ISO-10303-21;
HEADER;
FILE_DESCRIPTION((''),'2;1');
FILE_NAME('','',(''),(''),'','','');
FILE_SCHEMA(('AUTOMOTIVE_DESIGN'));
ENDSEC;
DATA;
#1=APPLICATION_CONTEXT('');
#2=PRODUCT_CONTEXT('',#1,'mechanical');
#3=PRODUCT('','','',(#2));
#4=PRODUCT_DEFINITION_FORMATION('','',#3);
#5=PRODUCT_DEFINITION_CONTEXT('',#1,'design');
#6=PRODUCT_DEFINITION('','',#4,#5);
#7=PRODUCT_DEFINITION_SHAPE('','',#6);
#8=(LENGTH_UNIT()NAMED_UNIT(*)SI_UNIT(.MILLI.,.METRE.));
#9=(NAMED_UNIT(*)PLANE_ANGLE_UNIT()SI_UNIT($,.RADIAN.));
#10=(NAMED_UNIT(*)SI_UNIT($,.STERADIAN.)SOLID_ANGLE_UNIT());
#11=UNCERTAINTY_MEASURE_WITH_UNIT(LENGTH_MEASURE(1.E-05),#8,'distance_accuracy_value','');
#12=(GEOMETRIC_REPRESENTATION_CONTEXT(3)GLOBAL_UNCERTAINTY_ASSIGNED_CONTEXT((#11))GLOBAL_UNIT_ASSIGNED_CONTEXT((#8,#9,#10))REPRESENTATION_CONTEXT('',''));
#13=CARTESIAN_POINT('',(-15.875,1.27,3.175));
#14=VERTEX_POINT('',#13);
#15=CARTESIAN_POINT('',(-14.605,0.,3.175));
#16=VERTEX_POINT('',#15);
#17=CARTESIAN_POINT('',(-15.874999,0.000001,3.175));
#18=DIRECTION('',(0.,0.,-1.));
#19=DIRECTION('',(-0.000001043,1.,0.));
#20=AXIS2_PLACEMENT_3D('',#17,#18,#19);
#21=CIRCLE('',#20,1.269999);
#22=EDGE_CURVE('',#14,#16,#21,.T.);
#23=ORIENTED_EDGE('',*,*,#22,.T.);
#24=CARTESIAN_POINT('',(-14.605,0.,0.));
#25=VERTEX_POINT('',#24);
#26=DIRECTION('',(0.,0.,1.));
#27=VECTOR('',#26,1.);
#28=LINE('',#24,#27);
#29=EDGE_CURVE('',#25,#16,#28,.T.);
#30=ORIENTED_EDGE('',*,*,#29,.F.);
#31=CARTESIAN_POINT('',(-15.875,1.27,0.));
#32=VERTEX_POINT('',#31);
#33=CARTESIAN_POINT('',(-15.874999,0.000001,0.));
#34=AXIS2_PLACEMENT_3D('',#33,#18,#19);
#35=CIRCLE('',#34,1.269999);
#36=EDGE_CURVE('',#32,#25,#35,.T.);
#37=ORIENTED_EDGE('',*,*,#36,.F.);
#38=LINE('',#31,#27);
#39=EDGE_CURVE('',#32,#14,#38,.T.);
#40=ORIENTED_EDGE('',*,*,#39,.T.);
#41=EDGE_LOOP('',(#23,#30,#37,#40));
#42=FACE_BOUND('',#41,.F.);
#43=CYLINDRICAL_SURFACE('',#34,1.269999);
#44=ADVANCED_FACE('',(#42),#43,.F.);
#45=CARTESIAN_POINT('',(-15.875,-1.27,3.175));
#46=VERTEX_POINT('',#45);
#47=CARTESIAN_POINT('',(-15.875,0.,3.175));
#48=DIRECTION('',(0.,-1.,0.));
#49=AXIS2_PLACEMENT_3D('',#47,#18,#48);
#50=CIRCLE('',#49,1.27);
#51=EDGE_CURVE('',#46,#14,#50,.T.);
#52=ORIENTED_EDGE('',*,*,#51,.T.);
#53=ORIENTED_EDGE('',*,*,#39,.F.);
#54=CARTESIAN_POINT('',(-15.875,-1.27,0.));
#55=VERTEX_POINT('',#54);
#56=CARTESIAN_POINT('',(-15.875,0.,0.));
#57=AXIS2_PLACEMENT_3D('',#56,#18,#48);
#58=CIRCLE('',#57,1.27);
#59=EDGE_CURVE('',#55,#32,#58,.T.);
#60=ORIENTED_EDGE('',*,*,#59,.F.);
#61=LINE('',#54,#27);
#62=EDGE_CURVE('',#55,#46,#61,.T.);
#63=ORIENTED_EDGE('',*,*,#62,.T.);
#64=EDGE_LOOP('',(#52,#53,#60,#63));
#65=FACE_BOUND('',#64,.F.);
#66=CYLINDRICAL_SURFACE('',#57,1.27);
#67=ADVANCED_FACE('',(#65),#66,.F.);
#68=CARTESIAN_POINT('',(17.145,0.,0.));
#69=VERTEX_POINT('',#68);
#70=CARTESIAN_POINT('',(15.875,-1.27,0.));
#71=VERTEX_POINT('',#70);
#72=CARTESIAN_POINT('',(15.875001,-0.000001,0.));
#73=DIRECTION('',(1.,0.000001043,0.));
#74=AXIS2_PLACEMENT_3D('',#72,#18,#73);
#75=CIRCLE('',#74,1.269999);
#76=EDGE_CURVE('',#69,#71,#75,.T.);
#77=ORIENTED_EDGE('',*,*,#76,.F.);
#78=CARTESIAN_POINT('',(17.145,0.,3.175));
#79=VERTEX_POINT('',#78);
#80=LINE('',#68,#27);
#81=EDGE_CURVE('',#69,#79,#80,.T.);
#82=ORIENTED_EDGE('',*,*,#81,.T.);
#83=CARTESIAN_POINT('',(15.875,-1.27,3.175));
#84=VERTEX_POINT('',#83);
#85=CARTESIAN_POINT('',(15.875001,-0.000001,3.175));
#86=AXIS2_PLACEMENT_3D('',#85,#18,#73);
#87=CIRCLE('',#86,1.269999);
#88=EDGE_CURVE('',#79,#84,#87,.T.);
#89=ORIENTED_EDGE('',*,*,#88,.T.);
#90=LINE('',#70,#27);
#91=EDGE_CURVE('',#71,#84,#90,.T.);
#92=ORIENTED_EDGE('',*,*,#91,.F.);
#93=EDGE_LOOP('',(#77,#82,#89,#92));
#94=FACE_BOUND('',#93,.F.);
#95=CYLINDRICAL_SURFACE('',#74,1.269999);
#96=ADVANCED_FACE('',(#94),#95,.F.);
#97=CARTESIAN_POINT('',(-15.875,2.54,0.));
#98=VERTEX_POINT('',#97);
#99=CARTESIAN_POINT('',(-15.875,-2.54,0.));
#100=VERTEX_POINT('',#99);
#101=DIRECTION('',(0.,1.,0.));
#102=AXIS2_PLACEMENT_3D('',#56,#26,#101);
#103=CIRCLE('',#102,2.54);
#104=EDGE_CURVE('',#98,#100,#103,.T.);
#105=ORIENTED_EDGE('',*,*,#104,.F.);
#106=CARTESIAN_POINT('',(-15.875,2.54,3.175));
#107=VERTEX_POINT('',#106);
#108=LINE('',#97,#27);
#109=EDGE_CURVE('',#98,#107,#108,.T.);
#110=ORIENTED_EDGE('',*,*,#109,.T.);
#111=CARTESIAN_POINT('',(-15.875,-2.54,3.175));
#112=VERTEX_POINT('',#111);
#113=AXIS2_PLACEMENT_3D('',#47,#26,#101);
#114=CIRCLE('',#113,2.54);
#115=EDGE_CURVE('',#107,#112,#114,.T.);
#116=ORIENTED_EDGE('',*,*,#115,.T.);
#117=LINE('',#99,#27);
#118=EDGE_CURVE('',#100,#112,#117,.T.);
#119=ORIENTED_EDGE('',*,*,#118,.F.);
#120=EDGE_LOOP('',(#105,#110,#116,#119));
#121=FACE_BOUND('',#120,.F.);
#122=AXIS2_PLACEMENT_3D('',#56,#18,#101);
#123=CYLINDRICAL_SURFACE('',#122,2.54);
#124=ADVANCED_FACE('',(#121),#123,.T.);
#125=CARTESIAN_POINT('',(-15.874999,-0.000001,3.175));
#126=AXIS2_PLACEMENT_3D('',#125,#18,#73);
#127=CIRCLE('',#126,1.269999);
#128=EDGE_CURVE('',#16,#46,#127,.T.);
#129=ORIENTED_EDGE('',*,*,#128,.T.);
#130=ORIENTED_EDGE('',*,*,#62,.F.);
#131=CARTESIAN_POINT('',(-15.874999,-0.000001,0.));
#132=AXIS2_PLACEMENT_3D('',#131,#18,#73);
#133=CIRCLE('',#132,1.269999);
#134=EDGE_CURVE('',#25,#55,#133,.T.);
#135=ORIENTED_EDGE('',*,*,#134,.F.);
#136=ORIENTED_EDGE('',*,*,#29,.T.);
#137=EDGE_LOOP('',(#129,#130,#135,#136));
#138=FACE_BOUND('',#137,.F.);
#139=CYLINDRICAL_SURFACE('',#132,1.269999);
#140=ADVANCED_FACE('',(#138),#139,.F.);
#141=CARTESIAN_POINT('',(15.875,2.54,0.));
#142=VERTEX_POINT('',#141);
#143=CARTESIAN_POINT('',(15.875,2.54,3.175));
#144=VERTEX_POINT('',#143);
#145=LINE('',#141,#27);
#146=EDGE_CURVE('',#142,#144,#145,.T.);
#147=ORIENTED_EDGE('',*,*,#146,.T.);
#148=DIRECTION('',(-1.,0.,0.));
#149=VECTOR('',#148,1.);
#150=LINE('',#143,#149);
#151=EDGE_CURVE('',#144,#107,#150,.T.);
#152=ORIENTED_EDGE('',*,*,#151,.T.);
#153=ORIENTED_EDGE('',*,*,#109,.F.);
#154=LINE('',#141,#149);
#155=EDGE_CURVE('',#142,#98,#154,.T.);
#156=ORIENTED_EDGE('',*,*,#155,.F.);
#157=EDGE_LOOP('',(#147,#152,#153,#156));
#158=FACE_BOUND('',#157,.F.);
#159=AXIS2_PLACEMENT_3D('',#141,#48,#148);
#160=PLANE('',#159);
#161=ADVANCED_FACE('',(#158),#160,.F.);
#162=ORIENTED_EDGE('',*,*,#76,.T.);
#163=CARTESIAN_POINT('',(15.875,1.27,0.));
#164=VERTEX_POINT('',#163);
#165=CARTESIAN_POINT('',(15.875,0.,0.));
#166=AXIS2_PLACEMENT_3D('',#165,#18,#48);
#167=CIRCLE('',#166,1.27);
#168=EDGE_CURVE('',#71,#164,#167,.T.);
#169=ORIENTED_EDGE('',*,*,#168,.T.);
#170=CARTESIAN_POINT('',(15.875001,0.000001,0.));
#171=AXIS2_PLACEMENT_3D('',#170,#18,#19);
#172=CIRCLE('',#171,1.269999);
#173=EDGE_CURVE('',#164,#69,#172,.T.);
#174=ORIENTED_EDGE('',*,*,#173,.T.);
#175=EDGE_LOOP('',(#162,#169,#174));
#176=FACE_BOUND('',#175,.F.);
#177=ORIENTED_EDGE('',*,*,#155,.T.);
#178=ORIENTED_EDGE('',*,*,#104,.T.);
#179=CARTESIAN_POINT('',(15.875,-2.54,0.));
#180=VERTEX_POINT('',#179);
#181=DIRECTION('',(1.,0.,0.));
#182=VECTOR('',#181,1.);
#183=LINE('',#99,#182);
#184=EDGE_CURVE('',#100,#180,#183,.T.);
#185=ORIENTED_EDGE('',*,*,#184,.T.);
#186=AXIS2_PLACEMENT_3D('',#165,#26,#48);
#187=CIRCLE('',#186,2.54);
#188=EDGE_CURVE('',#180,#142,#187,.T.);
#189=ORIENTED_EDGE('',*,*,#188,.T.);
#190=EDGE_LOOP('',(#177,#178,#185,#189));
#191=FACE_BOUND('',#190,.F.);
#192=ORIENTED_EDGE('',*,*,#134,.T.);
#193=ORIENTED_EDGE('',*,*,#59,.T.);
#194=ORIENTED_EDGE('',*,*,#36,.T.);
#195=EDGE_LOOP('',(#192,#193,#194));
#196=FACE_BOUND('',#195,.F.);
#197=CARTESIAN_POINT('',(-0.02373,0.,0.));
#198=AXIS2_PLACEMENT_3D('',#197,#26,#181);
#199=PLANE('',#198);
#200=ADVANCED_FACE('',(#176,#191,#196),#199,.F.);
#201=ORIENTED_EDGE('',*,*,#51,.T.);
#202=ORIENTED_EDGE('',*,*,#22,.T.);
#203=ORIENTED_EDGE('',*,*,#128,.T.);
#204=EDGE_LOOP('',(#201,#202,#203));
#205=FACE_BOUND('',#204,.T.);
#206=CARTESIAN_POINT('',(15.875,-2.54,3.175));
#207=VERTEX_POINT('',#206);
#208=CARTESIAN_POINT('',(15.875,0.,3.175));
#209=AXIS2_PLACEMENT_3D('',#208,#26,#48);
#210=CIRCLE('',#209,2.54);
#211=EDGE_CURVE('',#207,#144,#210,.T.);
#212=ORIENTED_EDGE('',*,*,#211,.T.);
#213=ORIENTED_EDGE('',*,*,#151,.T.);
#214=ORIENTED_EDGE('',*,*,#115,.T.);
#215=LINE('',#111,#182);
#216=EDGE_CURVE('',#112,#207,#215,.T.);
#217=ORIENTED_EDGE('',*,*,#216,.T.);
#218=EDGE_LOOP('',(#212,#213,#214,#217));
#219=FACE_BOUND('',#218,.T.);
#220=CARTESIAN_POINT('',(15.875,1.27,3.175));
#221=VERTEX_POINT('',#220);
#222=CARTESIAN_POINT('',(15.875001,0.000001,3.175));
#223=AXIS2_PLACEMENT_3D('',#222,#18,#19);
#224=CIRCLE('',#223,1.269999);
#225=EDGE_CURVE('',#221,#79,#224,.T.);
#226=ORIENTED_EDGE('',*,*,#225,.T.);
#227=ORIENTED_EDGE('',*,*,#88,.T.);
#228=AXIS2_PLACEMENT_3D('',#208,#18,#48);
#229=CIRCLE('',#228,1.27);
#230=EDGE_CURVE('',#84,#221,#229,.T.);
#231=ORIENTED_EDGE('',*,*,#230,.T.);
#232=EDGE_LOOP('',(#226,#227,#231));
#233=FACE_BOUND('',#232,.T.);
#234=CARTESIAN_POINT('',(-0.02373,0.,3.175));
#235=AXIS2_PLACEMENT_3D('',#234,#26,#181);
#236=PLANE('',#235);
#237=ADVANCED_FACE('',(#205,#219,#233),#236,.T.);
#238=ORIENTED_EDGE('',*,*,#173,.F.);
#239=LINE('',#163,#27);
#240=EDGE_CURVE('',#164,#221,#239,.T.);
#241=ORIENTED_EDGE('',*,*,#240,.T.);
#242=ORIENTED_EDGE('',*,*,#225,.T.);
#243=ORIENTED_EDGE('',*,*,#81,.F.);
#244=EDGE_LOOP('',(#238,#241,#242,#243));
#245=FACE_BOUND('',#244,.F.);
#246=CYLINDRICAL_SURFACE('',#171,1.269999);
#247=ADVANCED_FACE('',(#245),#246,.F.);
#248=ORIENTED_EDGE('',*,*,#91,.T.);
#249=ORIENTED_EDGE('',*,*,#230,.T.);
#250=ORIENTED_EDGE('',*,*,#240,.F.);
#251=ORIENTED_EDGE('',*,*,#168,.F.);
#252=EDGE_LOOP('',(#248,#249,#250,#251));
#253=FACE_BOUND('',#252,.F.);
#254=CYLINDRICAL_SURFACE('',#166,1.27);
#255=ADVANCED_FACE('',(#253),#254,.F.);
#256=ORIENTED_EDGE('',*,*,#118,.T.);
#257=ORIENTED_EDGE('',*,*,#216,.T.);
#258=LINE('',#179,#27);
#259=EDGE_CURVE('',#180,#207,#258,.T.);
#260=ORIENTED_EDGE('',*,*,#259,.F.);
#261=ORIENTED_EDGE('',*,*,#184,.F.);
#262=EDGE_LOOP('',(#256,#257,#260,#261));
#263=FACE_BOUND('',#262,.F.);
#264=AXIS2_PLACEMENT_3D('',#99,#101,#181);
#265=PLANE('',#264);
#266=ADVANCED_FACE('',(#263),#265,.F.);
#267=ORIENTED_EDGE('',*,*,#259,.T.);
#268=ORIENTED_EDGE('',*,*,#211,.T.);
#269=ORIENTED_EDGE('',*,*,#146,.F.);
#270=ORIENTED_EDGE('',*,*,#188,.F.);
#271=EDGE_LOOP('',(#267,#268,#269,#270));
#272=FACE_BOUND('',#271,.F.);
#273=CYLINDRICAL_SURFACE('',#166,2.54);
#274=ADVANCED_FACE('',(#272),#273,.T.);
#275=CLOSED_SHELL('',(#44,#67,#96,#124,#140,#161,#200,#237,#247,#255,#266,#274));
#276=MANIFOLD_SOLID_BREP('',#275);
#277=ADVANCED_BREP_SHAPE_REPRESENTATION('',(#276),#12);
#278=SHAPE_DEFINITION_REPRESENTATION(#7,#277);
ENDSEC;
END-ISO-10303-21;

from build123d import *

# Parameters (mm, degrees)
F1_DEPTH = 3.175


with BuildPart() as f1:
    # F0 (on Top) → F1 (new body)
    with BuildSketch(Plane.XY):
        with BuildLine():
            Line((15.875, 1.27), (15.875, 2.54))
            Line((15.875, 2.54), (-15.875, 2.54))
            Line((-15.875, 2.54), (-15.875, 1.27))
            ThreePointArc((-15.875, 1.27), (-14.976974, 0.898026), (-14.605, 0))
            ThreePointArc((-14.605, 0), (-14.976974, -0.898026), (-15.875, -1.27))
            Line((-15.875, -1.27), (-15.875, -2.54))
            Line((-15.875, -2.54), (15.875, -2.54))
            Line((15.875, -2.54), (15.875, -1.27))
            ThreePointArc((15.875, -1.27), (14.605, 0), (15.875, 1.27))
        make_face()
        with BuildLine():
            ThreePointArc((15.875, -2.54), (18.415, 0), (15.875, 2.54))
            Line((15.875, 2.54), (15.875, 1.27))
            ThreePointArc((15.875, 1.27), (16.773026, 0.898026), (17.145, 0))
            ThreePointArc((17.145, 0), (16.773026, -0.898026), (15.875, -1.27))
            Line((15.875, -1.27), (15.875, -2.54))
        make_face()
        with BuildLine():
            Line((-15.875, 1.27), (-15.875, 2.54))
            ThreePointArc((-15.875, 2.54), (-18.415, 0), (-15.875, -2.54))
            Line((-15.875, -2.54), (-15.875, -1.27))
            ThreePointArc((-15.875, -1.27), (-17.145, 0), (-15.875, 1.27))
        make_face()
    extrude(amount=F1_DEPTH)


solid = f1.part
